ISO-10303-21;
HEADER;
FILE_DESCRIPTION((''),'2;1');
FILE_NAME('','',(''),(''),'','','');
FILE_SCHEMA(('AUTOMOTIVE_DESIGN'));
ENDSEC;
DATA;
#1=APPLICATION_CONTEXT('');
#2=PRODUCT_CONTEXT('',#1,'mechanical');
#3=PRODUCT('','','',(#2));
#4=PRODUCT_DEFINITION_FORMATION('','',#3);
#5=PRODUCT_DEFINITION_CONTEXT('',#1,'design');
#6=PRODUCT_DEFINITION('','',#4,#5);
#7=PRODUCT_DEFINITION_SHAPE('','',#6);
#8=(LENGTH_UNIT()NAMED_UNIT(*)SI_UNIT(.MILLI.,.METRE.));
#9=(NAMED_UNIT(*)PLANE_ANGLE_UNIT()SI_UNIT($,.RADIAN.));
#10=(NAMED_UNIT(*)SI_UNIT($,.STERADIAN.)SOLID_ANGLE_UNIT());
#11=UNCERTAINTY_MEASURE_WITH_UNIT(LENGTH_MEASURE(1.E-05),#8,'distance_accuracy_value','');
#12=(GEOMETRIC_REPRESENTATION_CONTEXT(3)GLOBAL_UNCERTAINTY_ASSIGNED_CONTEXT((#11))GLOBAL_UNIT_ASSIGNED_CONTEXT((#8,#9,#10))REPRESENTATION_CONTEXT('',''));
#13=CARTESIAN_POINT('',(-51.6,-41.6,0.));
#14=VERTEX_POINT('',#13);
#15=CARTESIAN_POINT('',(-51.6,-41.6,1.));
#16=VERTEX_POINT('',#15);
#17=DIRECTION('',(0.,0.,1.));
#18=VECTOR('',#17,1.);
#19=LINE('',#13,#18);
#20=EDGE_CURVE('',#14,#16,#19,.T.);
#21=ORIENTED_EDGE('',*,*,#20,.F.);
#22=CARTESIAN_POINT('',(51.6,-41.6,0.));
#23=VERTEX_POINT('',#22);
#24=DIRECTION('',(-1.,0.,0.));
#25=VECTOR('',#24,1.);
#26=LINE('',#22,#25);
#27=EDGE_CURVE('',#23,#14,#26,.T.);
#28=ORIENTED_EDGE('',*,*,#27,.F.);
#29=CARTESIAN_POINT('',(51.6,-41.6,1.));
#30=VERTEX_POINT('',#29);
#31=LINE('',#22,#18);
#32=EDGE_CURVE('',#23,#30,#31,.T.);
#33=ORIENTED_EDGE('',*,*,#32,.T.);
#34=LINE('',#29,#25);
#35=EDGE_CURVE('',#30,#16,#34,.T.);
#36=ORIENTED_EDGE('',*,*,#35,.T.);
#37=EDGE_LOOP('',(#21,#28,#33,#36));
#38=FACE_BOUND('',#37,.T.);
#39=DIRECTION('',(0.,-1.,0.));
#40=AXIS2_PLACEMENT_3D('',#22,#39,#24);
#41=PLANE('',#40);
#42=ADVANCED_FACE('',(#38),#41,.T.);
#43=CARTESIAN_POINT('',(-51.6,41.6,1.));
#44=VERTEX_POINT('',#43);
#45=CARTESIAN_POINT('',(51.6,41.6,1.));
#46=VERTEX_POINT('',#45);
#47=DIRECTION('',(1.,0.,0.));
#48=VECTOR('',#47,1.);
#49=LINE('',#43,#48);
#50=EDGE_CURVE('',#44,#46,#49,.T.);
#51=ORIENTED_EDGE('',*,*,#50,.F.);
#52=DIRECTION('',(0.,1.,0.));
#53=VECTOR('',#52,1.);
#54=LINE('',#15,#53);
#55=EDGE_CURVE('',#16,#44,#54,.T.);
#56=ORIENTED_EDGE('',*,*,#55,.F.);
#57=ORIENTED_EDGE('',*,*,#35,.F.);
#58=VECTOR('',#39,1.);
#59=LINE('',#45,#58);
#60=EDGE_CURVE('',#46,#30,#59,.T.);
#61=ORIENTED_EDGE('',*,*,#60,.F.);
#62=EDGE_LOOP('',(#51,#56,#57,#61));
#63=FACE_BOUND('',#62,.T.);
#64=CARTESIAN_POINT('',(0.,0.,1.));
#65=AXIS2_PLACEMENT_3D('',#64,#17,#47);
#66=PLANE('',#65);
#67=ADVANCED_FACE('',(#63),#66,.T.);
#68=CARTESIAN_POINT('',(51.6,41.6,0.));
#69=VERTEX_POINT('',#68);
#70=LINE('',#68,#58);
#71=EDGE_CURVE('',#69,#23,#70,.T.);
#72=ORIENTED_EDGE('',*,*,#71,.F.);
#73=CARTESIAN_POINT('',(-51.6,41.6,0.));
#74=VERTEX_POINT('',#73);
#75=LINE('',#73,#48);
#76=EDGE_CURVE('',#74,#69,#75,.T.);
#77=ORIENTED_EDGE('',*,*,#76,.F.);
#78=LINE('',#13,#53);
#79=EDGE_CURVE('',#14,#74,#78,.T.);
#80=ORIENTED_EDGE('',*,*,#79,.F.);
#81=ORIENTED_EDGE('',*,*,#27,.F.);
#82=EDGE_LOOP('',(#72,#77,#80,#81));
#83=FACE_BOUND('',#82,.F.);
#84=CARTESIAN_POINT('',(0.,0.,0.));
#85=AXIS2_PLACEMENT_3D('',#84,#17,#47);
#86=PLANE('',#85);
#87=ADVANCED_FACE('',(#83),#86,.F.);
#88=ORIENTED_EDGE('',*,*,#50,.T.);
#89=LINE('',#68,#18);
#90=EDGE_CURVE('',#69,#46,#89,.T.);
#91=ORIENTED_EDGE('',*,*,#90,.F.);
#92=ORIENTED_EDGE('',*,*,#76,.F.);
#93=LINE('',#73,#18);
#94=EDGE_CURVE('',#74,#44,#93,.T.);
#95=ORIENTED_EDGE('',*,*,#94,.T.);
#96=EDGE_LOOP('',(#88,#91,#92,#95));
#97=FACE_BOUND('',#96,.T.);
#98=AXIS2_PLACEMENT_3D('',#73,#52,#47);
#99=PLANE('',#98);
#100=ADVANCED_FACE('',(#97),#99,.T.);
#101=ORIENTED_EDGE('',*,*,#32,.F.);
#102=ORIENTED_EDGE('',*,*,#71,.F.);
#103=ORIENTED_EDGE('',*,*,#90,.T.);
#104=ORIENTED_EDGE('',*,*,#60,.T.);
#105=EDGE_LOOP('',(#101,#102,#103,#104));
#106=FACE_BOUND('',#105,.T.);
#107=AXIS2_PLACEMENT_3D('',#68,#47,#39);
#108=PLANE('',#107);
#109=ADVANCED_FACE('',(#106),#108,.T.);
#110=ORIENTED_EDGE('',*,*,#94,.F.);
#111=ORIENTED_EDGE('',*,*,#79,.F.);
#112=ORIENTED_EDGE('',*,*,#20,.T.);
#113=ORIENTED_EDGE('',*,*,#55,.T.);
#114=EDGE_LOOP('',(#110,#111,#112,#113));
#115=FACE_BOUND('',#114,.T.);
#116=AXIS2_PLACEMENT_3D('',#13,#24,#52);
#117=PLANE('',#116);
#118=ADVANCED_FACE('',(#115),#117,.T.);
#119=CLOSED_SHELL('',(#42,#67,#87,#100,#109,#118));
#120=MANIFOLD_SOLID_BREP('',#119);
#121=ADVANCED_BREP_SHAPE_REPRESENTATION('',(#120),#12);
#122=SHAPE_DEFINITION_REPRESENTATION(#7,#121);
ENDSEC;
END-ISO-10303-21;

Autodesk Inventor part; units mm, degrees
ref_plane "YZ Plane" through (0, 0, 0) normal (1, 0, 0) x (0, 1, 0)
ref_plane "XZ Plane" through (0, 0, 0) normal (0, 1, 0) x (-1, 0, 0)
ref_plane "XY Plane" through (0, 0, 0) normal (0, 0, 1) x (1, 0, 0)
sketch "Эскиз1" plane through (0, 0, 0) normal (0, 0, 1) x (1, 0, 0)
  line L0 (-50, -10.7689) -> (0.7689, 40) projected
  line L1 (-50, -3.56) -> (-50, -10.7689) projected
  line L2 (-6.44, 40) -> (-50, -3.56) projected
  line L3 (0.7689, 40) -> (-6.44, 40) projected
  line L4 (-22.1111, -40) -> (50, 32.1111) projected
  line L5 (-29.32, -40) -> (-22.1111, -40) projected
  line L6 (50, 39.32) -> (-29.32, -40) projected
  line L7 (50, 32.1111) -> (50, 39.32) projected
  line L8 (50, -17.8) -> (27.8, -40) projected
  line L9 (50, -25) -> (50, -17.8) projected
  line L10 (35, -40) -> (50, -25) projected
  line L11 (27.8, -40) -> (35, -40) projected
  line L12 (-7.8311, -40) -> (50, 17.8311) projected
  line L13 (-15.04, -40) -> (-7.8311, -40) projected
  line L14 (50, 25.04) -> (-15.04, -40) projected
  line L15 (50, 17.8311) -> (50, 25.04) projected
  line L16 (-50, -25.0489) -> (15.0489, 40) projected
  line L17 (-50, -17.84) -> (-50, -25.0489) projected
  line L18 (7.84, 40) -> (-50, -17.84) projected
  line L19 (15.0489, 40) -> (7.84, 40) projected
  line L20 (-50, 3.5111) -> (-13.5111, 40) projected
  line L21 (-50, 10.72) -> (-50, 3.5111) projected
  line L22 (-20.72, 40) -> (-50, 10.72) projected
  line L23 (-13.5111, 40) -> (-20.72, 40) projected
  line L24 (-36.3911, -40) -> (43.6089, 40) projected
  line L25 (-43.6, -40) -> (-36.3911, -40) projected
  line L26 (36.4, 40) -> (-43.6, -40) projected
  line L27 (43.6089, 40) -> (36.4, 40) projected
  line L28 (20.7289, -40) -> (50, -10.7289) projected
  line L29 (13.52, -40) -> (20.7289, -40) projected
  line L30 (50, -3.52) -> (13.52, -40) projected
  line L31 (50, -10.7289) -> (50, -3.52) projected
  line L32 (6.4489, -40) -> (50, 3.5511) projected
  line L33 (-0.76, -40) -> (6.4489, -40) projected
  line L34 (50, 10.76) -> (-0.76, -40) projected
  line L35 (50, 3.5511) -> (50, 10.76) projected
  line L36 (-50, -39.3289) -> (29.3289, 40) projected
  line L37 (-50, -32.12) -> (-50, -39.3289) projected
  line L38 (22.12, 40) -> (-50, -32.12) projected
  line L39 (29.3289, 40) -> (22.12, 40) projected
  line L40 (-50, 17.7911) -> (-27.7911, 40) projected
  line L41 (-50, 25) -> (-50, 17.7911) projected
  line L42 (-35, 40) -> (-50, 25) projected
  line L43 (-27.7911, 40) -> (-35, 40) projected
  line L44 (52, -42) -> (-52, -42) projected
  line L45 (52, 42) -> (52, -42) projected
  line L46 (-52, 42) -> (52, 42) projected
  line L47 (-52, -42) -> (-52, 42) projected
  line L48 (51.6, 41.6) -> (51.6, -41.6)
  line L49 (51.6, -41.6) -> (-51.6, -41.6)
  line L50 (-51.6, -41.6) -> (-51.6, 41.6)
  line L51 (-51.6, 41.6) -> (51.6, 41.6)
  point P0 (0, 0)
  dimension "d0" = 0.4
extrude "Выдавливание1" add sketch "Эскиз1" along normal blind 1 contours L1 L2 L3 L0 | L5 L6 L7 L4 | L9 L10 L11 L8 | L13 L14 L15 L12 | L17 L18 L19 L16 | L21 L22 L23 L20 | L25 L26 L27 L24 | L29 L30 L31 L28 | L33 L34 L35 L32 | L37 L38 L39 L36 | L41 L42 L43 L40 | L48 L49 L50 L51
properties part number "filter1"
